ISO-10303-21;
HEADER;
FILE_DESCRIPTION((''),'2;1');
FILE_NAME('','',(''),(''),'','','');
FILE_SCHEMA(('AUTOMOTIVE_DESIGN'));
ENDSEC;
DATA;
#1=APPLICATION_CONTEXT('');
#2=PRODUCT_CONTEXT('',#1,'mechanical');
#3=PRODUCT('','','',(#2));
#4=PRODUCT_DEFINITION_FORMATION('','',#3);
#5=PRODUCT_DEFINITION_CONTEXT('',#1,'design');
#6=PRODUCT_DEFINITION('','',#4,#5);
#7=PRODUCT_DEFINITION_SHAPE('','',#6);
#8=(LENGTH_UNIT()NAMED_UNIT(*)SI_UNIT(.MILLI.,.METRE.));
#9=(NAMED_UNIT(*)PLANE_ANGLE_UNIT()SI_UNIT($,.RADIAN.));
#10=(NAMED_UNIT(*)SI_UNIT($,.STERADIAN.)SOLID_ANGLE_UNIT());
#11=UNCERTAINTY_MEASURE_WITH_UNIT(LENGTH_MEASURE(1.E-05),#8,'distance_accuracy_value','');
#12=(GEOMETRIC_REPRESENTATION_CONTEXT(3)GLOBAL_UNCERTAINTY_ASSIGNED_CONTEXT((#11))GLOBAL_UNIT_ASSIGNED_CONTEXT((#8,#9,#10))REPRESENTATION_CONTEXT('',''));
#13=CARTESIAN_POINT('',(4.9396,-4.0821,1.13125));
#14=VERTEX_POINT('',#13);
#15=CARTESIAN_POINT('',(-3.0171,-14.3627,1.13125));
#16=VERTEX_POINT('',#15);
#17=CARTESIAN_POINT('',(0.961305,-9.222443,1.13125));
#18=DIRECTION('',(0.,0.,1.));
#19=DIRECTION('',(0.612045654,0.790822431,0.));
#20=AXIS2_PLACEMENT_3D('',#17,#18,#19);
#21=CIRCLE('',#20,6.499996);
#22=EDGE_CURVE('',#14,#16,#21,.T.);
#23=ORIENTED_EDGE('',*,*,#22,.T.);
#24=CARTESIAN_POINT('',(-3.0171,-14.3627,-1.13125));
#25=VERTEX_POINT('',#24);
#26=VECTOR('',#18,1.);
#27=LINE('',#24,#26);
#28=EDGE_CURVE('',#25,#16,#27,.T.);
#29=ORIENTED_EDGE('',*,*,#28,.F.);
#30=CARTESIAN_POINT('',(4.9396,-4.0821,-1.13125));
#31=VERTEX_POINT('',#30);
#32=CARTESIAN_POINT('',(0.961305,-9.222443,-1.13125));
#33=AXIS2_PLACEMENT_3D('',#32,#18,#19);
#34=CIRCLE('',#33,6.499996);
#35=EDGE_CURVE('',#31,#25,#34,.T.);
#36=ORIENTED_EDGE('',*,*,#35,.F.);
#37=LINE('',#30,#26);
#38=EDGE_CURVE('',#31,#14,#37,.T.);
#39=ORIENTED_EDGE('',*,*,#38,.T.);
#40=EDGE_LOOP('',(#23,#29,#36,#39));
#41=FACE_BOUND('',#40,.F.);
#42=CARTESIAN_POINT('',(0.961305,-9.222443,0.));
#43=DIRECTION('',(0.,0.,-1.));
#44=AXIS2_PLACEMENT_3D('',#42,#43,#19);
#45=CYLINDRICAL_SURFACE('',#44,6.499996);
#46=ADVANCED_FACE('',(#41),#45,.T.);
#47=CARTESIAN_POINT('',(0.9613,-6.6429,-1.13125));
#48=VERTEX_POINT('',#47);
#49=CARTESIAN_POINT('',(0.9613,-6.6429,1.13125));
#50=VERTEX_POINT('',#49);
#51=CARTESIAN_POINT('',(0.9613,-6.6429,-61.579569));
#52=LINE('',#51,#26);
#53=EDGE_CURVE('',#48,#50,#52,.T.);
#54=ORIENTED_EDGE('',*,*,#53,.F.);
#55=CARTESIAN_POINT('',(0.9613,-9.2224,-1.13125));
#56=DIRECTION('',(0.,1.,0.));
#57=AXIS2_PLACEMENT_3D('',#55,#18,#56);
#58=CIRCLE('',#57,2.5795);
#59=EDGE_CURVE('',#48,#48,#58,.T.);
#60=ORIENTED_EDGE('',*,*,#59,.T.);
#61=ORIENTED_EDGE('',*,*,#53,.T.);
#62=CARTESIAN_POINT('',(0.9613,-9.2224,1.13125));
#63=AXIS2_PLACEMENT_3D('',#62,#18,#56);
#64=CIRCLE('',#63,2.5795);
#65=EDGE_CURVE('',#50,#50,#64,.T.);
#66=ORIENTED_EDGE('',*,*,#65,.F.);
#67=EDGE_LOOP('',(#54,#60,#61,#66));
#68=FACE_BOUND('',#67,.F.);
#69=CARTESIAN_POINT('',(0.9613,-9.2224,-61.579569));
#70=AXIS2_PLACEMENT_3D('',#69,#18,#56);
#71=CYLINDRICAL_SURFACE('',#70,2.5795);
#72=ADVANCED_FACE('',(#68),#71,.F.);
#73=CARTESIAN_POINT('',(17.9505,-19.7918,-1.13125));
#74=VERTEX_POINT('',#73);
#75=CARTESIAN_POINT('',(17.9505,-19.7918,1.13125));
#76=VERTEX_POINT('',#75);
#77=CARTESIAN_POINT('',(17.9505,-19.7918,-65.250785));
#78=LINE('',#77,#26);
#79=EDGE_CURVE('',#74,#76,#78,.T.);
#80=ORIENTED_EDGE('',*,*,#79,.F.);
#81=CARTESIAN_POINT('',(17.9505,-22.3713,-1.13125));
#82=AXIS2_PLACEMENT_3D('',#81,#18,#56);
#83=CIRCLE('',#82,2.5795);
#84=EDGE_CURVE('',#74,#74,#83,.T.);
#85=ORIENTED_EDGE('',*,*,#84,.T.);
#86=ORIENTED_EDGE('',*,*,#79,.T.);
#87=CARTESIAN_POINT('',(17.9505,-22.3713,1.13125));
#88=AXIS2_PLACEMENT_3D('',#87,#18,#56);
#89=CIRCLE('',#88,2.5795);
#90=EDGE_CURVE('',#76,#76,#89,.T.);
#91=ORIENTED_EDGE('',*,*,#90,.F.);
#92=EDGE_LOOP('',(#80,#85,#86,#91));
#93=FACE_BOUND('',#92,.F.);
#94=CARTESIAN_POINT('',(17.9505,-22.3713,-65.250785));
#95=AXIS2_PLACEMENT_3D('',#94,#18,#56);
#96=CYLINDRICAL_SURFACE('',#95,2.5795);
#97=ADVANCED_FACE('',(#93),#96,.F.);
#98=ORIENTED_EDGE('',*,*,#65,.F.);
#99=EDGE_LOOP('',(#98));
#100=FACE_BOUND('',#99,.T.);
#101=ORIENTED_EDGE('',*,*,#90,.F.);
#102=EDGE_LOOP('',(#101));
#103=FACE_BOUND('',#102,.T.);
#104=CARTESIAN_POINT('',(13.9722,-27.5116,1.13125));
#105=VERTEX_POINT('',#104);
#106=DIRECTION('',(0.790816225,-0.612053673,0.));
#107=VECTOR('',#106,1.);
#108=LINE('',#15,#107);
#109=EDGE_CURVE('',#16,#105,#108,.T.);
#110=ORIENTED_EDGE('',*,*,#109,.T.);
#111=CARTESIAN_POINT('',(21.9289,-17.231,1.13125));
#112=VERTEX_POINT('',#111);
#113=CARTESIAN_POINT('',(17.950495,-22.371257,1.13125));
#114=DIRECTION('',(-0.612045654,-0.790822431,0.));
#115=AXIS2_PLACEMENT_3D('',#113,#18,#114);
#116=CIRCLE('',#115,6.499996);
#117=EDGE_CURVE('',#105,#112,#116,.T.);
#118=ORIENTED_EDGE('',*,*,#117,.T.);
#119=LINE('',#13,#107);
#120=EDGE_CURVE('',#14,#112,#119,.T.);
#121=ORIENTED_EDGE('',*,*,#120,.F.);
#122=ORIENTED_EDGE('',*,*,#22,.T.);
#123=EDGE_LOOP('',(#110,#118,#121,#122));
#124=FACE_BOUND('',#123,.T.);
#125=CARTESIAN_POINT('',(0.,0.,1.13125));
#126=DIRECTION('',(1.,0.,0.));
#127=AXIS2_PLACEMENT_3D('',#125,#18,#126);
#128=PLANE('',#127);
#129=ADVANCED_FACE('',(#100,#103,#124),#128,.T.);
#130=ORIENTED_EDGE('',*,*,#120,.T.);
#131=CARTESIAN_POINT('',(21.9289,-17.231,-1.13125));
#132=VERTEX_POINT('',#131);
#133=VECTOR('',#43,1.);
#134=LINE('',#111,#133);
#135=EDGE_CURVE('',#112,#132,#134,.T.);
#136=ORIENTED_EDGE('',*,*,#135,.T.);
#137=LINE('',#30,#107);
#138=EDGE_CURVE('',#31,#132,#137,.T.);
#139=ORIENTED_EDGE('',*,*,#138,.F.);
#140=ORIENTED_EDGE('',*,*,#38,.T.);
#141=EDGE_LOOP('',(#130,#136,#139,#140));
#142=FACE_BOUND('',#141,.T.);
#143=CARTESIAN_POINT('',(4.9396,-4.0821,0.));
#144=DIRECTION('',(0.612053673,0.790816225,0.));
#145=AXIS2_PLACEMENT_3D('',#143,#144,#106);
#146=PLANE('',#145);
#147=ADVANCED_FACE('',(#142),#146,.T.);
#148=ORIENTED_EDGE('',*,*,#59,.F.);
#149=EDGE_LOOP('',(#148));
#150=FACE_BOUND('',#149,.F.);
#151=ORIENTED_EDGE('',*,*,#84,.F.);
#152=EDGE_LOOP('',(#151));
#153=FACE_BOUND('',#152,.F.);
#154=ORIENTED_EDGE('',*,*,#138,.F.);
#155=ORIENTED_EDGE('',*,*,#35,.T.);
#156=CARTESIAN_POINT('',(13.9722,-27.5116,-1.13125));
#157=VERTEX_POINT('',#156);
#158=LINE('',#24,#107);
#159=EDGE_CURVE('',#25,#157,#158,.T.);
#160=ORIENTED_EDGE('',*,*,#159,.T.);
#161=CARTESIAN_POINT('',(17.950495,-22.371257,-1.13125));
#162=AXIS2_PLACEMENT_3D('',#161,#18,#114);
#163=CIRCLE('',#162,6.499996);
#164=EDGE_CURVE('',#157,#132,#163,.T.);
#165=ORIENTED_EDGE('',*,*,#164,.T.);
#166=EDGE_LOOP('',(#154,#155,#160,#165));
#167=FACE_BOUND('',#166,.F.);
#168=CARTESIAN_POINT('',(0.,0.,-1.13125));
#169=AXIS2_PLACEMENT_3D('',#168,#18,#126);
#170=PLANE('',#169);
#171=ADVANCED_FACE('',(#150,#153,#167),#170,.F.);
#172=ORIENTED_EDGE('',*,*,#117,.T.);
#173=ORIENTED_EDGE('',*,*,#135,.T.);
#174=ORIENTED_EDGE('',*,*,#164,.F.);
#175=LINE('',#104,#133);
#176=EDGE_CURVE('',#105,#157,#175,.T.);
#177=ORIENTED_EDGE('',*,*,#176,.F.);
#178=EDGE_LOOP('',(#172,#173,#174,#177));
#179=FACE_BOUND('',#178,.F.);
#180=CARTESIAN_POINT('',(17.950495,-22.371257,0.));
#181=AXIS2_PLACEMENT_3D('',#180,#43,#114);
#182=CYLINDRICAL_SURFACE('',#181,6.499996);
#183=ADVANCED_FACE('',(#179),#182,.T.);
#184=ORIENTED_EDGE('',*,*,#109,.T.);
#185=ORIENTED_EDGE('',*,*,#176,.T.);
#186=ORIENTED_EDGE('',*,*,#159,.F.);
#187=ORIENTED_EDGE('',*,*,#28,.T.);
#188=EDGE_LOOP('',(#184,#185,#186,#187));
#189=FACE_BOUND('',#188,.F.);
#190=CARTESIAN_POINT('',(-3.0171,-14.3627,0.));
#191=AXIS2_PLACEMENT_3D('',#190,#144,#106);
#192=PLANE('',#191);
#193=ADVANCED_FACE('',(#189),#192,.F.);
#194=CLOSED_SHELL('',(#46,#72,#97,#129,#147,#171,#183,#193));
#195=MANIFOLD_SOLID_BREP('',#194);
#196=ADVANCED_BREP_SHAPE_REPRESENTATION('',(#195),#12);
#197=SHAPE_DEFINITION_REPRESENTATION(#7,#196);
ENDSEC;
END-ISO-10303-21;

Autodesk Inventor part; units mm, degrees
ref_plane "YZ Plane" through (0, 0, 0) normal (1, 0, 0) x (0, 1, 0)
ref_plane "XZ Plane" through (0, 0, 0) normal (0, 1, 0) x (-1, 0, 0)
ref_plane "XY Plane" through (0, 0, 0) normal (0, 0, 1) x (1, 0, 0)
sketch "Sketch1" plane through (0, 0, 0) normal (0, 0, 1) x (1, 0, 0)
  arc A0 (4.9396, -4.0821) -> (-3.0171, -14.3627) centre (0.9613, -9.2224) ccw
  arc A1 (13.9722, -27.5116) -> (21.9289, -17.231) centre (17.9505, -22.3713) ccw
  line L0 (4.9396, -4.0821) -> (21.9289, -17.231)
  line L1 (-3.0171, -14.3627) -> (13.9722, -27.5116)
  point P0 (0, 0)
  dimension "d0" = 13
  dimension "d1" = 13
extrude "Extrusion1" add sketch "Sketch1" along normal mid plane 2.2625
hole "Hole1" at (0.9613, -9.2224, 0) at (17.9505, -22.3713, 0) direction (0, 0, 1) diameter 5.159 end through all both
properties part number "smallthing"
